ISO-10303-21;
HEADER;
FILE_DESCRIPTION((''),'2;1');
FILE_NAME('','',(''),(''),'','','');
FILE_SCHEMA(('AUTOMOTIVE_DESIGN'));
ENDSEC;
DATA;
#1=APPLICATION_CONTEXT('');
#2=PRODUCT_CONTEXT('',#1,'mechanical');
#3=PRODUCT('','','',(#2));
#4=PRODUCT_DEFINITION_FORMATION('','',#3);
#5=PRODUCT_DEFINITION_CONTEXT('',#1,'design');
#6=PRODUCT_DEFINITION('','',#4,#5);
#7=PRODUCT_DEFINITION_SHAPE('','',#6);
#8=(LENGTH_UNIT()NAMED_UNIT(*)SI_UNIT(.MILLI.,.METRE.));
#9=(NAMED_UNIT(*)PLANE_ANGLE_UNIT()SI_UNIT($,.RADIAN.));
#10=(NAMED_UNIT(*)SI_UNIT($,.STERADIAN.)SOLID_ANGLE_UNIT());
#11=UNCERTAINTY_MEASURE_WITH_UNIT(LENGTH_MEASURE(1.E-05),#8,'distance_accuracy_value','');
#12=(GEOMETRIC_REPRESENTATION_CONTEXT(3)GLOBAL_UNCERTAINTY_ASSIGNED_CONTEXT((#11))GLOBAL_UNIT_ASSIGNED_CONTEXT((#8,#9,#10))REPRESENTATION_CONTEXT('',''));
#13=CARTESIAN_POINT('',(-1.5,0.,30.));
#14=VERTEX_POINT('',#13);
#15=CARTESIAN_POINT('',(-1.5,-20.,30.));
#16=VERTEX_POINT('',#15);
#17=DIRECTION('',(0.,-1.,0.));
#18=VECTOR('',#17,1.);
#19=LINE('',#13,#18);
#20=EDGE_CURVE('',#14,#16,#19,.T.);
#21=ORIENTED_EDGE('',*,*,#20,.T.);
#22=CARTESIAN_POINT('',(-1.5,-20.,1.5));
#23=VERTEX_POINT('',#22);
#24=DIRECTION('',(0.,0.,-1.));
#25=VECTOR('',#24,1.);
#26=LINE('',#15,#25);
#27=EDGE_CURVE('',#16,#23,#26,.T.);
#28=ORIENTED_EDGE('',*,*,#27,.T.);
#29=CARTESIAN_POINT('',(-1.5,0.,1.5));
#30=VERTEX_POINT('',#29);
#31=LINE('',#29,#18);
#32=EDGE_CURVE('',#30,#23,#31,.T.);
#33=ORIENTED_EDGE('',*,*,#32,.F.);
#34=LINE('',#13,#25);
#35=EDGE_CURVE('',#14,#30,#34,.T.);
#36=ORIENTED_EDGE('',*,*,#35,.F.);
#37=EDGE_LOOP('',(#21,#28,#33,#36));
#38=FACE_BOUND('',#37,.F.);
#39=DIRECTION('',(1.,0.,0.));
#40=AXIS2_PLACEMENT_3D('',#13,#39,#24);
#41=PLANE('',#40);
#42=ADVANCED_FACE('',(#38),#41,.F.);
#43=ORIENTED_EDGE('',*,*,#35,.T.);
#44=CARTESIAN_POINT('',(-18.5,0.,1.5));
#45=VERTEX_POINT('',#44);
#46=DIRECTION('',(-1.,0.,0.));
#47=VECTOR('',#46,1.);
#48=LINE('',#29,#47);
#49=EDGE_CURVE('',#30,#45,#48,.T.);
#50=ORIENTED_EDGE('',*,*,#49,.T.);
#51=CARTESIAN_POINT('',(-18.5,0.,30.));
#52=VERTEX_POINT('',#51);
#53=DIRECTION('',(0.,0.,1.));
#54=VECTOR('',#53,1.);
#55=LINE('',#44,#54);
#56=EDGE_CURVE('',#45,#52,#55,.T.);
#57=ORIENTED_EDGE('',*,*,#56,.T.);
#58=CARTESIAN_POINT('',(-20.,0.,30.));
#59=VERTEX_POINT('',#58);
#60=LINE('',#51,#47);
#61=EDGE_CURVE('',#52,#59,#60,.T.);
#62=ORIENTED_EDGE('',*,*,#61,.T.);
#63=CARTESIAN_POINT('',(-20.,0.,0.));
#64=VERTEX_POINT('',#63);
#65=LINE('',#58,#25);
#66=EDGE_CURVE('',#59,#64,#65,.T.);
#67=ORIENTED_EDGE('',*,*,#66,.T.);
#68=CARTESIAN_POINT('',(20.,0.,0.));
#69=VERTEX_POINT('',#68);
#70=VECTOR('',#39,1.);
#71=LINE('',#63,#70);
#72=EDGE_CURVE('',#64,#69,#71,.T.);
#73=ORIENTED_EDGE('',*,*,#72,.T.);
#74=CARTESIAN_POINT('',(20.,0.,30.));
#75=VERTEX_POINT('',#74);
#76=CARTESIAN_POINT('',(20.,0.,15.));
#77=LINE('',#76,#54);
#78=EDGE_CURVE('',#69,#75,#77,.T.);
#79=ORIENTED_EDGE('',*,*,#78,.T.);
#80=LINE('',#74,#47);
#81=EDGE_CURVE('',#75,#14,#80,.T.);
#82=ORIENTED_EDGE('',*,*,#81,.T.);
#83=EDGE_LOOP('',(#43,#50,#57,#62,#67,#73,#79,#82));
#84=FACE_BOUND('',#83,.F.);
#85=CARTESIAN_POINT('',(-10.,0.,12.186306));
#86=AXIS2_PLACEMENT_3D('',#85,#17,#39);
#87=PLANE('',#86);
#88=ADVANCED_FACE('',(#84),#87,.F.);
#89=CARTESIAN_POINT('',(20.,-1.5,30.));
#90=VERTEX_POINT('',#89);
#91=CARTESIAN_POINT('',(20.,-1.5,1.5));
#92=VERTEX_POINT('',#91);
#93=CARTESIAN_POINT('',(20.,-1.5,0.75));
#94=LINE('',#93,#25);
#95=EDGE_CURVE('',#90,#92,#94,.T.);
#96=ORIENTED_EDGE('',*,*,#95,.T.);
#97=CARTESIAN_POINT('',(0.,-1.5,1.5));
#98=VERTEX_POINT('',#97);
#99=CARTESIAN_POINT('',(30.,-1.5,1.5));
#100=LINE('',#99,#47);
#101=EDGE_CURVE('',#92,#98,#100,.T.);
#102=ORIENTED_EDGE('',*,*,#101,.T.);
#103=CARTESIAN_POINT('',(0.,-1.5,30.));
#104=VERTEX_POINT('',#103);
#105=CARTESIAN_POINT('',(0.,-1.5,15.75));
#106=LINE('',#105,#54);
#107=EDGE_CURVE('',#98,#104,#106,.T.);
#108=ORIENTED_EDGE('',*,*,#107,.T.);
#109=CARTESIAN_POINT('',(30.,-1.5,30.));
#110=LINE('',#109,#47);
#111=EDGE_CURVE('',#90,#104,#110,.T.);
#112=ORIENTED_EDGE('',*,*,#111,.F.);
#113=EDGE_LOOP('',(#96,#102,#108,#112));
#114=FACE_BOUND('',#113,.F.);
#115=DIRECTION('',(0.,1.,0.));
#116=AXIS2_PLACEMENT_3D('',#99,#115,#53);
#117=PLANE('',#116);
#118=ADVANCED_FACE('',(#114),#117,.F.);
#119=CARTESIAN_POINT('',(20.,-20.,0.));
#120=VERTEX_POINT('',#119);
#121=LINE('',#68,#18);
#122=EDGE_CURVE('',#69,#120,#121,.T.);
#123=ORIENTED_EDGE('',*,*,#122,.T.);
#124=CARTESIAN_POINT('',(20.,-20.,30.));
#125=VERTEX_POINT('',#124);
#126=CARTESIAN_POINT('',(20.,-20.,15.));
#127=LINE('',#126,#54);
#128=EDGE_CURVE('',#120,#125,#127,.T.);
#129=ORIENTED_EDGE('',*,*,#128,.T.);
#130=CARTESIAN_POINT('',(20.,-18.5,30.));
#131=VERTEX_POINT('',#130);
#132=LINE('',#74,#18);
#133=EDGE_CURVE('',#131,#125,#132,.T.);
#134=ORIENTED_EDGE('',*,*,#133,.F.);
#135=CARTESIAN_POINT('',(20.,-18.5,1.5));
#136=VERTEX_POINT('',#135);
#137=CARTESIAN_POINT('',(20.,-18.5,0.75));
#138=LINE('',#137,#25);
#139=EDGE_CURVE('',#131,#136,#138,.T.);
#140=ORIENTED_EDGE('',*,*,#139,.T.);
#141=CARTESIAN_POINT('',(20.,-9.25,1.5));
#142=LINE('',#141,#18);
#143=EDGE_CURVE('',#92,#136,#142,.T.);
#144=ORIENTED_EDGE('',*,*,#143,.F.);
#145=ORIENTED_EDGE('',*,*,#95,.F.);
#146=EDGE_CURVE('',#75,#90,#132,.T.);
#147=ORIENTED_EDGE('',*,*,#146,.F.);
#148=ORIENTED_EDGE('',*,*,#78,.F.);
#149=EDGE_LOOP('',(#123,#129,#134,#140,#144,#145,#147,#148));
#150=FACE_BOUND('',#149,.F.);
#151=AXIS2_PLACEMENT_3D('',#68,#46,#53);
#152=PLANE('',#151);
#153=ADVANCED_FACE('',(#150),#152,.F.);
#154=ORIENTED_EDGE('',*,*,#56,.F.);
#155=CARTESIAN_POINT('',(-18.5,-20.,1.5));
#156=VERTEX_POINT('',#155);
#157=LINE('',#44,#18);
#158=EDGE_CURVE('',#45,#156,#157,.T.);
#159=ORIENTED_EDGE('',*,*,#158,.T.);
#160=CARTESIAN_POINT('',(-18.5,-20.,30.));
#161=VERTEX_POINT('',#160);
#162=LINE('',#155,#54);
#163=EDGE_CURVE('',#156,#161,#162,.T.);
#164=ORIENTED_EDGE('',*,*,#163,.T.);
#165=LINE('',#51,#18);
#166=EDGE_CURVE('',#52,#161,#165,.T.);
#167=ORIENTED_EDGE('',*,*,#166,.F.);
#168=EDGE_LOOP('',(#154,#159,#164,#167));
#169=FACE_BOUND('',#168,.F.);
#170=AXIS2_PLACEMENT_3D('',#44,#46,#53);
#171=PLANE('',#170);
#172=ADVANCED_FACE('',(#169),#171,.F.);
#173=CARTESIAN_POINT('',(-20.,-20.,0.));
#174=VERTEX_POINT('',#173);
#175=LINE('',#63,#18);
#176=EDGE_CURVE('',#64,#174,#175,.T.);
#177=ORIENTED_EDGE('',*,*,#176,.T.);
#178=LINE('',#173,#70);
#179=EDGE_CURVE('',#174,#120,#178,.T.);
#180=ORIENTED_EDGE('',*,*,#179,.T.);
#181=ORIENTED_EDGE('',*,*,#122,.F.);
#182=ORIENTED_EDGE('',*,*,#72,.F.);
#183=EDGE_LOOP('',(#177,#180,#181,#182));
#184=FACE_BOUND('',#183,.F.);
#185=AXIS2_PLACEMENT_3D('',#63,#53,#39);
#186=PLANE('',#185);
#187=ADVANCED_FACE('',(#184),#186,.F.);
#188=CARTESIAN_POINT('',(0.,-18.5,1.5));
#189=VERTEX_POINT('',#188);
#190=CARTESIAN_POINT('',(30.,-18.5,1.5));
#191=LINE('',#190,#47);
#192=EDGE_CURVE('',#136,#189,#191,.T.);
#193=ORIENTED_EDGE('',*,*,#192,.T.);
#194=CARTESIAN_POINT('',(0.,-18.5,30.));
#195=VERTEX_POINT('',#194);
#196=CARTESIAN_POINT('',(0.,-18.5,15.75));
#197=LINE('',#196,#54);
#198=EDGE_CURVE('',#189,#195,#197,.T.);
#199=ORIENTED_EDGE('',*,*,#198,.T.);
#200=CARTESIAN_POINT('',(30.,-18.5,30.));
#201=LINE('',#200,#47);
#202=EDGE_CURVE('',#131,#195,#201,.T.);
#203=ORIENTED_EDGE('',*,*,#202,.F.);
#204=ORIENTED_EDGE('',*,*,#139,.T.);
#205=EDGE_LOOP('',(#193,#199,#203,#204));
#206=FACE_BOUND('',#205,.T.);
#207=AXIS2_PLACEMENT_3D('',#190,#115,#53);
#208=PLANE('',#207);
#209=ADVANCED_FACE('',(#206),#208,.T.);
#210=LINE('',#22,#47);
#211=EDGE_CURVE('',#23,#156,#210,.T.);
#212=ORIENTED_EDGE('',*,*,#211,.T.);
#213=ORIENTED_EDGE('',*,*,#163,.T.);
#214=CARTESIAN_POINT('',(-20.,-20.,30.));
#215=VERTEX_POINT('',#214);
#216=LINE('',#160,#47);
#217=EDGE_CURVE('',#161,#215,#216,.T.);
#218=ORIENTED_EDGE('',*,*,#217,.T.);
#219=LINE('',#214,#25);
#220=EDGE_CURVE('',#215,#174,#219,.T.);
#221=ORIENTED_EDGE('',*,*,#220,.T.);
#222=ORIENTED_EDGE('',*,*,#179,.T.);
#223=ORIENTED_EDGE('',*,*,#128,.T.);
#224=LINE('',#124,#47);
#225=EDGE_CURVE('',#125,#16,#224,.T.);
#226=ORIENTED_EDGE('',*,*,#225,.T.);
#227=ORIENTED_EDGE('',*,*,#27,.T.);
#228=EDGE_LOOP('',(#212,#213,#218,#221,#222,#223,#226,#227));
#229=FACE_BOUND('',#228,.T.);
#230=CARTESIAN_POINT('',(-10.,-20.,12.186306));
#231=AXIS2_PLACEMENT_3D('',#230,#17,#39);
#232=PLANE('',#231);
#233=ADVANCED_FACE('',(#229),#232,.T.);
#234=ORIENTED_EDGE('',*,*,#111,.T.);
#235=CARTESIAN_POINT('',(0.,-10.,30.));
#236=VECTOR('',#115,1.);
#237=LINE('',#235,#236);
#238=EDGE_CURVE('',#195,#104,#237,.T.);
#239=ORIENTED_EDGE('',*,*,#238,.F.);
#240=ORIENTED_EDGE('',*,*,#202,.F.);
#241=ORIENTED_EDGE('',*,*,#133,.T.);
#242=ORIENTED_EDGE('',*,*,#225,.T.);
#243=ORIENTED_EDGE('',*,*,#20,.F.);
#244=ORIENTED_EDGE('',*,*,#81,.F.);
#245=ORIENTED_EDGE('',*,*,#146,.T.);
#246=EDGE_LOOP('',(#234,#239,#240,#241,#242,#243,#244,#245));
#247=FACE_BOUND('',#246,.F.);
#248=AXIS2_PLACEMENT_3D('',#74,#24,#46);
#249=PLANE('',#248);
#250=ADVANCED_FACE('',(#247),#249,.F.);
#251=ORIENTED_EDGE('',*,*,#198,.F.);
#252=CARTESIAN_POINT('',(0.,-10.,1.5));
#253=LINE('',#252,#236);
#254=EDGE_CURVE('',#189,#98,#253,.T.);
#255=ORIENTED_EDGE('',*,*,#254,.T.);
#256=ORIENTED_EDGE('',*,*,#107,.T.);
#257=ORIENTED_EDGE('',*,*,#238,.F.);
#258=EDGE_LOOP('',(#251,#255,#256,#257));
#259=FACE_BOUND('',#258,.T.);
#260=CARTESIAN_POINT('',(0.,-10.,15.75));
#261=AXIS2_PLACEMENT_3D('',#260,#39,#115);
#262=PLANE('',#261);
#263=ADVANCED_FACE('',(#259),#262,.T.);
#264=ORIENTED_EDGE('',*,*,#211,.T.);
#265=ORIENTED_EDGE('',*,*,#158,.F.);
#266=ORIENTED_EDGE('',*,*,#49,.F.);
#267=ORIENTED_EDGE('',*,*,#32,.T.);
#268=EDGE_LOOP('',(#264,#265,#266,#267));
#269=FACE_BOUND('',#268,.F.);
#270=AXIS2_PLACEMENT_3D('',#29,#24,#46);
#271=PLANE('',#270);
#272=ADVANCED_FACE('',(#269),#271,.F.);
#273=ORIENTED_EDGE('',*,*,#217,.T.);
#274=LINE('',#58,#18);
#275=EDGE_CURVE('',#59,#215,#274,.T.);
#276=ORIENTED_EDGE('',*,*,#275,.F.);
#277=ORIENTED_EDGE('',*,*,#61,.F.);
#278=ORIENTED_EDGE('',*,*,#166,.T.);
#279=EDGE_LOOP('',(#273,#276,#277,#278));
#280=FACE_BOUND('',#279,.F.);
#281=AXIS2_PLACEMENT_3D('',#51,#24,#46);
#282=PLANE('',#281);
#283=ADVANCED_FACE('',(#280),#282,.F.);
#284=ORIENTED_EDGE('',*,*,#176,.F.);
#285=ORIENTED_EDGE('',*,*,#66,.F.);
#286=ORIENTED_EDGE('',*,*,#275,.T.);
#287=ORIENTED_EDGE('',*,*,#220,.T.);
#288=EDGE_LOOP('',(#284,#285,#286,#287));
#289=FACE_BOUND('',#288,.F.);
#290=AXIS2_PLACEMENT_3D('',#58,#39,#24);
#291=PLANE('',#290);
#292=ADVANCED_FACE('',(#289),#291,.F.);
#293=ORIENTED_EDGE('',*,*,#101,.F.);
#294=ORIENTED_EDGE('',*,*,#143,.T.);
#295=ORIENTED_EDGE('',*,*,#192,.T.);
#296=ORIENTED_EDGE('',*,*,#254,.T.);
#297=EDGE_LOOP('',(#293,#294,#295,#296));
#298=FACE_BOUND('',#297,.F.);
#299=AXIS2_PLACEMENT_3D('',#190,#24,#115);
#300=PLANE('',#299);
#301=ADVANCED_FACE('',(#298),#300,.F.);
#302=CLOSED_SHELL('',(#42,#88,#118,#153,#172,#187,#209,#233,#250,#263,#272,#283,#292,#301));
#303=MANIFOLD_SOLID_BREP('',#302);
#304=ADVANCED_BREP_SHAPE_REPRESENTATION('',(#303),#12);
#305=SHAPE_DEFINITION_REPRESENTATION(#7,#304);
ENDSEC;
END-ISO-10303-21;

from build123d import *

# Parameters (mm, degrees)
F0_W     = 20
F0_H     = 30
F1_DEPTH = 20
F3_W     = 17
F3_H     = 28.5
F4_DEPTH = 30


with BuildPart() as f1:
    # F0 (on Front) → F1 (new body)
    with BuildSketch(Plane.XZ):
        Polygon((-18.5, 30), (-20, 30), (-20, 0), (0, 0), (0, 30), (-1.5, 30), (-1.5, 1.5), (-18.5, 1.5), align=None)
        with Locations((10, 15)):
            Rectangle(F0_W, F0_H)
    extrude(amount=F1_DEPTH)

    # F3 (on offset) → F4 (cut)
    with BuildSketch(Plane.YZ.offset(30)):
        with Locations((-10, 15.75)):
            Rectangle(F3_W, F3_H)
    extrude(amount=-F4_DEPTH, mode=Mode.SUBTRACT)


solid = f1.part
